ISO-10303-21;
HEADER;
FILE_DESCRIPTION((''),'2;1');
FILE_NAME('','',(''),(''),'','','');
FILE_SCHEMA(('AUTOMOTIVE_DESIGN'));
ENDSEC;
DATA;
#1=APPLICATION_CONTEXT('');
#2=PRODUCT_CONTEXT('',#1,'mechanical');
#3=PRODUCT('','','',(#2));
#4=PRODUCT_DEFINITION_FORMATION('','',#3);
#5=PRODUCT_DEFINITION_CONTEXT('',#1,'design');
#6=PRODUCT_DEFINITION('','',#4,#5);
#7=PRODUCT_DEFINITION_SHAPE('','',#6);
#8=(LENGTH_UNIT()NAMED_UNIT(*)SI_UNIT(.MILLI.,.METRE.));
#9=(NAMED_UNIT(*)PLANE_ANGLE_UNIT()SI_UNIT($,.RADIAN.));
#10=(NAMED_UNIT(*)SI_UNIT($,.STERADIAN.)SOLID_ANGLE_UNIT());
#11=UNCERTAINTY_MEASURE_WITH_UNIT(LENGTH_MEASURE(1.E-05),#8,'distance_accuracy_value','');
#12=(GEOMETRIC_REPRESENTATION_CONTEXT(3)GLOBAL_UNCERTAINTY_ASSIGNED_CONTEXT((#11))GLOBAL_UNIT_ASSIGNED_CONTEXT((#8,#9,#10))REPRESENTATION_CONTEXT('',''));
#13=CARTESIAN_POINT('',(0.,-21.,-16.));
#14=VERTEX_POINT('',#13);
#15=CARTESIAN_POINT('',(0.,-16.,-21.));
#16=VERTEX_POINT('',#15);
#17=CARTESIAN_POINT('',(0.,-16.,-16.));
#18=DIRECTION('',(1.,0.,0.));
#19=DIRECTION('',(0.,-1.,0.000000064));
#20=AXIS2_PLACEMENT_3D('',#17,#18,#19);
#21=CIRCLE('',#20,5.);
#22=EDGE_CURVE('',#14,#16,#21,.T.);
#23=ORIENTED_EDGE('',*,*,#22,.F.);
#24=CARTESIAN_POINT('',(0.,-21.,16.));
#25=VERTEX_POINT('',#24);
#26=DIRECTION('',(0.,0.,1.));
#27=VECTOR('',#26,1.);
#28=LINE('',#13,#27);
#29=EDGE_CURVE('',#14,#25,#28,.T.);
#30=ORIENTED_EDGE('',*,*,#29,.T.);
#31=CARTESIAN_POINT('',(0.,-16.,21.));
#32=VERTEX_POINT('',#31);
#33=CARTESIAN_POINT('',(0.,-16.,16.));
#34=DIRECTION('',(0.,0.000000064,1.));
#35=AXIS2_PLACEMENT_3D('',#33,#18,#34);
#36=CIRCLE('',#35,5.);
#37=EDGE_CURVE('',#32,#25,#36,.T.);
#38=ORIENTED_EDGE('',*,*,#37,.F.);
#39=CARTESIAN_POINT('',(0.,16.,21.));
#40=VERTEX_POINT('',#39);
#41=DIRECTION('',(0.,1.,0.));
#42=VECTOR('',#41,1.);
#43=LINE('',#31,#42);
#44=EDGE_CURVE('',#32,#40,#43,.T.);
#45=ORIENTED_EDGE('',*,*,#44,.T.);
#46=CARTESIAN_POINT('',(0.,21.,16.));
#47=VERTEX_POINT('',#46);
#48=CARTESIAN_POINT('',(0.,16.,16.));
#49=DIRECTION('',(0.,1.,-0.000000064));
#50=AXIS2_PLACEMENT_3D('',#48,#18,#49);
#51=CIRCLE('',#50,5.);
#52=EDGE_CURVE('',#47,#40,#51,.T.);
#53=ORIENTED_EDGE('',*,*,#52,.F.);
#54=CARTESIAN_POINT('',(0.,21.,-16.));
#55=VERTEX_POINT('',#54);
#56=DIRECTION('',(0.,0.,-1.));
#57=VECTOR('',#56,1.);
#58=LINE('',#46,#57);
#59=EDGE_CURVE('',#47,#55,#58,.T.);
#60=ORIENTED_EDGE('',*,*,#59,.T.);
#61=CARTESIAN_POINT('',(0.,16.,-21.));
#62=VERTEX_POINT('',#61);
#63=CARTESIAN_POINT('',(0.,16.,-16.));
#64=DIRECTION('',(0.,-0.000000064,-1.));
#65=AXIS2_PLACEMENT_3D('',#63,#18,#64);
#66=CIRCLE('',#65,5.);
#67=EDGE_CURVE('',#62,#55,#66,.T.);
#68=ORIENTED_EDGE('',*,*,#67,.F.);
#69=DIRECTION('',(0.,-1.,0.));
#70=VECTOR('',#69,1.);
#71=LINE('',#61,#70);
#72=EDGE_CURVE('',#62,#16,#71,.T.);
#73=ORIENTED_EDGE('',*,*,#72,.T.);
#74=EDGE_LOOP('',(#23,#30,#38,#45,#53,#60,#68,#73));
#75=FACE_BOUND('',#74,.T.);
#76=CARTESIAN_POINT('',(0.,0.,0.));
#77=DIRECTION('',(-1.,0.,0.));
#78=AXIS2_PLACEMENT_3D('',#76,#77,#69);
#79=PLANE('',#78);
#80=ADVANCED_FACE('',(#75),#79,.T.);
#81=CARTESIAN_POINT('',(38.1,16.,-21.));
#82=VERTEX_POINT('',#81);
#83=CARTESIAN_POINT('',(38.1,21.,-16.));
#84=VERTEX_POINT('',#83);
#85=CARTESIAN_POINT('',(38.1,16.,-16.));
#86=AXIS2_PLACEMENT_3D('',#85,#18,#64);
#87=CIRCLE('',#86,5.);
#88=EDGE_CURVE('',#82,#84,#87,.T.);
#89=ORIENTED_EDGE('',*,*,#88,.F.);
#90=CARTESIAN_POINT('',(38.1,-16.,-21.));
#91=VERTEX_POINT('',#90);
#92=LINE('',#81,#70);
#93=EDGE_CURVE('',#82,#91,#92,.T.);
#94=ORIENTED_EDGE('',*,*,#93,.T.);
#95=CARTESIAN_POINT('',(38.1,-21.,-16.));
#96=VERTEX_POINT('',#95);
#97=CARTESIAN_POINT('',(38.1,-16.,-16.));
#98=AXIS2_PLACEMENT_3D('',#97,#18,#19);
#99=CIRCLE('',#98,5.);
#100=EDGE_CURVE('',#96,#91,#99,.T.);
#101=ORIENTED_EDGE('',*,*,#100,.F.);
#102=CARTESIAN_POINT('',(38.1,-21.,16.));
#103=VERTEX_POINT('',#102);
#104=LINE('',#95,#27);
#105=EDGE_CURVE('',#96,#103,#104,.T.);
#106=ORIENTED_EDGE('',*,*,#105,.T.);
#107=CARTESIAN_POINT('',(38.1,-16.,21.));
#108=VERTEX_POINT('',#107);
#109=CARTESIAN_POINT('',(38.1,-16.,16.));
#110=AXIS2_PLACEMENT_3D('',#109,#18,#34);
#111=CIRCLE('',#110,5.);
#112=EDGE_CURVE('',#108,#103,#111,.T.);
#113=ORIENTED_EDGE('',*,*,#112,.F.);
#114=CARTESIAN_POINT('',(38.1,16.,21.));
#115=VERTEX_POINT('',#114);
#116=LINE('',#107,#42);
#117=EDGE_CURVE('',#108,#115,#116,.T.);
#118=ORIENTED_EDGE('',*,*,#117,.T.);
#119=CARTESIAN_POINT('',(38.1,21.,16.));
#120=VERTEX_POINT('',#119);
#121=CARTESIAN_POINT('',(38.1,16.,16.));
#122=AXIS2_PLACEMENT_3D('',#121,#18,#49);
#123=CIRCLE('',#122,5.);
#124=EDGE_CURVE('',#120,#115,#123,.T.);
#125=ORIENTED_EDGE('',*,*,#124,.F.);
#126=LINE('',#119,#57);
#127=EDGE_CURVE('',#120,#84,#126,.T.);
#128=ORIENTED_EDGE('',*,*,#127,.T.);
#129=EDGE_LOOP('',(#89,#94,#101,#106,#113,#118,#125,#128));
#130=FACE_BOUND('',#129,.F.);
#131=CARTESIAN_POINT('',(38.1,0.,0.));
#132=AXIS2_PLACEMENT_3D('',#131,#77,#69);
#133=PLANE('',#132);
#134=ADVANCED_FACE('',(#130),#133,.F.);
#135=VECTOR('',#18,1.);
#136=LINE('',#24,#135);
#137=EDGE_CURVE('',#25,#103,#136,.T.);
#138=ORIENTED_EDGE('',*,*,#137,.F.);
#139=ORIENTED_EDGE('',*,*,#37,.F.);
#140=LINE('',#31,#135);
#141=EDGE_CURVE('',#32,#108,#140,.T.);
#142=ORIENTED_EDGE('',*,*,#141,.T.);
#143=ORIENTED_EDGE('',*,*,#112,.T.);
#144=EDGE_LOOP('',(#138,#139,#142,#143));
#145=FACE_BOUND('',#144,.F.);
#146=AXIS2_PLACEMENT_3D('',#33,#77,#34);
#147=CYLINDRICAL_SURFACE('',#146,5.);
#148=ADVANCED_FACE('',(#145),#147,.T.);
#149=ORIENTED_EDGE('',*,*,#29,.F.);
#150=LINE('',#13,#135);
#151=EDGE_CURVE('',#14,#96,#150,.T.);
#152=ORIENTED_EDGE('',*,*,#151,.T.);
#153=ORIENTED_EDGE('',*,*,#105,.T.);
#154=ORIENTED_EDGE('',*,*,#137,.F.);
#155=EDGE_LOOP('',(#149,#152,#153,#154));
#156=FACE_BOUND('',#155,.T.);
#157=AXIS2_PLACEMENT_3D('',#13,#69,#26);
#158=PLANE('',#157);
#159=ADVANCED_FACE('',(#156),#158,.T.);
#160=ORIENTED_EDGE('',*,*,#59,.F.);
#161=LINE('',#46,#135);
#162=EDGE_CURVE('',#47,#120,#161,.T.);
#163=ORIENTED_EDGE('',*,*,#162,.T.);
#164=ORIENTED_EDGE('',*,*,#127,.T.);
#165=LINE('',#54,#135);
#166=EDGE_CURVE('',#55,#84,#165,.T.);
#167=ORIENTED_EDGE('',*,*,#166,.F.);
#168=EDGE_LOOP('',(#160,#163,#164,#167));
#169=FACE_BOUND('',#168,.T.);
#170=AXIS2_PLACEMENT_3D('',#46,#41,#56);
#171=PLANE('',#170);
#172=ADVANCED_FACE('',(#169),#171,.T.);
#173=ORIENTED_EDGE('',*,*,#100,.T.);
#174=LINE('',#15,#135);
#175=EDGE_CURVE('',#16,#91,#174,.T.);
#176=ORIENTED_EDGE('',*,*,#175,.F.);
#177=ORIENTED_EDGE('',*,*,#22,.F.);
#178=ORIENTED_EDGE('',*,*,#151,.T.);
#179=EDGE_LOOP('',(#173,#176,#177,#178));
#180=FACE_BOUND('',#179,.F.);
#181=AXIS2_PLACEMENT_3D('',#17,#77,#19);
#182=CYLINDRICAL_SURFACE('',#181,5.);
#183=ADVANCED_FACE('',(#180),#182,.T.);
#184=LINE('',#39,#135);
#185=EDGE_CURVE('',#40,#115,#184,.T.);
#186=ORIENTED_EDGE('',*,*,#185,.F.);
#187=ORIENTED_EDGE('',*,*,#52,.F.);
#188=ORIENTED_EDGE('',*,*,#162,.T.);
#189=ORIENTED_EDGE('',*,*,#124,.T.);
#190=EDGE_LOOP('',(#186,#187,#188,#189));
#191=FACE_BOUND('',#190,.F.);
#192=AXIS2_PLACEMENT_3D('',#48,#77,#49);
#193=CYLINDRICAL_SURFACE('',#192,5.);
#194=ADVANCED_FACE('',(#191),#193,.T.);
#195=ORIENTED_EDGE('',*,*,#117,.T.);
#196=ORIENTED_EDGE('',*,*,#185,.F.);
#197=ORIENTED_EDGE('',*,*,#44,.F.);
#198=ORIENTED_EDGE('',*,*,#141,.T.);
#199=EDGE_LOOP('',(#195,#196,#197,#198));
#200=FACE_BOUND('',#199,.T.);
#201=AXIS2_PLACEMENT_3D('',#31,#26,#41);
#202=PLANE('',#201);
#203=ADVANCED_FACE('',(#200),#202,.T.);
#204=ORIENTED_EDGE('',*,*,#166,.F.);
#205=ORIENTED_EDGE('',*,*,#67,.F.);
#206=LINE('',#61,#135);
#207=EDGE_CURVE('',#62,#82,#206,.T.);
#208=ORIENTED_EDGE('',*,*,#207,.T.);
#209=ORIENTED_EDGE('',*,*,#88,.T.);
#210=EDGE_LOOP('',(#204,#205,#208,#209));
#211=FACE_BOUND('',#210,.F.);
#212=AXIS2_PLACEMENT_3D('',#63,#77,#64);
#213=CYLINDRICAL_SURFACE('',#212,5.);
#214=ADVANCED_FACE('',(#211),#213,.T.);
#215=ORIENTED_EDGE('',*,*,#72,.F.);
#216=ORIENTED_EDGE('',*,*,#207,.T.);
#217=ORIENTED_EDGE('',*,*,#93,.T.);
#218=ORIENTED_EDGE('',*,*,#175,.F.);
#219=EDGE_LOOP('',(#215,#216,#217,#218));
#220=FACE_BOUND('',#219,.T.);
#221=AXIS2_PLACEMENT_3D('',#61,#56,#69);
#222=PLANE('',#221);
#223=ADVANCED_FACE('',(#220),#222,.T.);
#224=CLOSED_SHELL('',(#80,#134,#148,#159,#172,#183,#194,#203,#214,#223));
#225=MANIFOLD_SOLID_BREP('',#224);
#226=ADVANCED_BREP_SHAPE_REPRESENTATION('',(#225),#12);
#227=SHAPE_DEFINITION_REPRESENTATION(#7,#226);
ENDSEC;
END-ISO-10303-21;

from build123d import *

# Parameters (mm, degrees)
PAD_DEPTH = 38.1


with BuildPart() as part:
    # Sketch → Pad (new body)
    with BuildSketch(Plane.YZ):
        with BuildLine():
            Line((-16, 21), (16, 21))
            ThreePointArc((21, 16), (19.535534, 19.535534), (16, 21))
            Line((21, 16), (21, -16))
            ThreePointArc((16, -21), (19.535534, -19.535534), (21, -16))
            Line((16, -21), (-16, -21))
            ThreePointArc((-21, -16), (-19.535534, -19.535534), (-16, -21))
            Line((-21, -16), (-21, 16))
            ThreePointArc((-16, 21), (-19.535534, 19.535534), (-21, 16))
        make_face()
    extrude(amount=PAD_DEPTH)


solid = part.part
